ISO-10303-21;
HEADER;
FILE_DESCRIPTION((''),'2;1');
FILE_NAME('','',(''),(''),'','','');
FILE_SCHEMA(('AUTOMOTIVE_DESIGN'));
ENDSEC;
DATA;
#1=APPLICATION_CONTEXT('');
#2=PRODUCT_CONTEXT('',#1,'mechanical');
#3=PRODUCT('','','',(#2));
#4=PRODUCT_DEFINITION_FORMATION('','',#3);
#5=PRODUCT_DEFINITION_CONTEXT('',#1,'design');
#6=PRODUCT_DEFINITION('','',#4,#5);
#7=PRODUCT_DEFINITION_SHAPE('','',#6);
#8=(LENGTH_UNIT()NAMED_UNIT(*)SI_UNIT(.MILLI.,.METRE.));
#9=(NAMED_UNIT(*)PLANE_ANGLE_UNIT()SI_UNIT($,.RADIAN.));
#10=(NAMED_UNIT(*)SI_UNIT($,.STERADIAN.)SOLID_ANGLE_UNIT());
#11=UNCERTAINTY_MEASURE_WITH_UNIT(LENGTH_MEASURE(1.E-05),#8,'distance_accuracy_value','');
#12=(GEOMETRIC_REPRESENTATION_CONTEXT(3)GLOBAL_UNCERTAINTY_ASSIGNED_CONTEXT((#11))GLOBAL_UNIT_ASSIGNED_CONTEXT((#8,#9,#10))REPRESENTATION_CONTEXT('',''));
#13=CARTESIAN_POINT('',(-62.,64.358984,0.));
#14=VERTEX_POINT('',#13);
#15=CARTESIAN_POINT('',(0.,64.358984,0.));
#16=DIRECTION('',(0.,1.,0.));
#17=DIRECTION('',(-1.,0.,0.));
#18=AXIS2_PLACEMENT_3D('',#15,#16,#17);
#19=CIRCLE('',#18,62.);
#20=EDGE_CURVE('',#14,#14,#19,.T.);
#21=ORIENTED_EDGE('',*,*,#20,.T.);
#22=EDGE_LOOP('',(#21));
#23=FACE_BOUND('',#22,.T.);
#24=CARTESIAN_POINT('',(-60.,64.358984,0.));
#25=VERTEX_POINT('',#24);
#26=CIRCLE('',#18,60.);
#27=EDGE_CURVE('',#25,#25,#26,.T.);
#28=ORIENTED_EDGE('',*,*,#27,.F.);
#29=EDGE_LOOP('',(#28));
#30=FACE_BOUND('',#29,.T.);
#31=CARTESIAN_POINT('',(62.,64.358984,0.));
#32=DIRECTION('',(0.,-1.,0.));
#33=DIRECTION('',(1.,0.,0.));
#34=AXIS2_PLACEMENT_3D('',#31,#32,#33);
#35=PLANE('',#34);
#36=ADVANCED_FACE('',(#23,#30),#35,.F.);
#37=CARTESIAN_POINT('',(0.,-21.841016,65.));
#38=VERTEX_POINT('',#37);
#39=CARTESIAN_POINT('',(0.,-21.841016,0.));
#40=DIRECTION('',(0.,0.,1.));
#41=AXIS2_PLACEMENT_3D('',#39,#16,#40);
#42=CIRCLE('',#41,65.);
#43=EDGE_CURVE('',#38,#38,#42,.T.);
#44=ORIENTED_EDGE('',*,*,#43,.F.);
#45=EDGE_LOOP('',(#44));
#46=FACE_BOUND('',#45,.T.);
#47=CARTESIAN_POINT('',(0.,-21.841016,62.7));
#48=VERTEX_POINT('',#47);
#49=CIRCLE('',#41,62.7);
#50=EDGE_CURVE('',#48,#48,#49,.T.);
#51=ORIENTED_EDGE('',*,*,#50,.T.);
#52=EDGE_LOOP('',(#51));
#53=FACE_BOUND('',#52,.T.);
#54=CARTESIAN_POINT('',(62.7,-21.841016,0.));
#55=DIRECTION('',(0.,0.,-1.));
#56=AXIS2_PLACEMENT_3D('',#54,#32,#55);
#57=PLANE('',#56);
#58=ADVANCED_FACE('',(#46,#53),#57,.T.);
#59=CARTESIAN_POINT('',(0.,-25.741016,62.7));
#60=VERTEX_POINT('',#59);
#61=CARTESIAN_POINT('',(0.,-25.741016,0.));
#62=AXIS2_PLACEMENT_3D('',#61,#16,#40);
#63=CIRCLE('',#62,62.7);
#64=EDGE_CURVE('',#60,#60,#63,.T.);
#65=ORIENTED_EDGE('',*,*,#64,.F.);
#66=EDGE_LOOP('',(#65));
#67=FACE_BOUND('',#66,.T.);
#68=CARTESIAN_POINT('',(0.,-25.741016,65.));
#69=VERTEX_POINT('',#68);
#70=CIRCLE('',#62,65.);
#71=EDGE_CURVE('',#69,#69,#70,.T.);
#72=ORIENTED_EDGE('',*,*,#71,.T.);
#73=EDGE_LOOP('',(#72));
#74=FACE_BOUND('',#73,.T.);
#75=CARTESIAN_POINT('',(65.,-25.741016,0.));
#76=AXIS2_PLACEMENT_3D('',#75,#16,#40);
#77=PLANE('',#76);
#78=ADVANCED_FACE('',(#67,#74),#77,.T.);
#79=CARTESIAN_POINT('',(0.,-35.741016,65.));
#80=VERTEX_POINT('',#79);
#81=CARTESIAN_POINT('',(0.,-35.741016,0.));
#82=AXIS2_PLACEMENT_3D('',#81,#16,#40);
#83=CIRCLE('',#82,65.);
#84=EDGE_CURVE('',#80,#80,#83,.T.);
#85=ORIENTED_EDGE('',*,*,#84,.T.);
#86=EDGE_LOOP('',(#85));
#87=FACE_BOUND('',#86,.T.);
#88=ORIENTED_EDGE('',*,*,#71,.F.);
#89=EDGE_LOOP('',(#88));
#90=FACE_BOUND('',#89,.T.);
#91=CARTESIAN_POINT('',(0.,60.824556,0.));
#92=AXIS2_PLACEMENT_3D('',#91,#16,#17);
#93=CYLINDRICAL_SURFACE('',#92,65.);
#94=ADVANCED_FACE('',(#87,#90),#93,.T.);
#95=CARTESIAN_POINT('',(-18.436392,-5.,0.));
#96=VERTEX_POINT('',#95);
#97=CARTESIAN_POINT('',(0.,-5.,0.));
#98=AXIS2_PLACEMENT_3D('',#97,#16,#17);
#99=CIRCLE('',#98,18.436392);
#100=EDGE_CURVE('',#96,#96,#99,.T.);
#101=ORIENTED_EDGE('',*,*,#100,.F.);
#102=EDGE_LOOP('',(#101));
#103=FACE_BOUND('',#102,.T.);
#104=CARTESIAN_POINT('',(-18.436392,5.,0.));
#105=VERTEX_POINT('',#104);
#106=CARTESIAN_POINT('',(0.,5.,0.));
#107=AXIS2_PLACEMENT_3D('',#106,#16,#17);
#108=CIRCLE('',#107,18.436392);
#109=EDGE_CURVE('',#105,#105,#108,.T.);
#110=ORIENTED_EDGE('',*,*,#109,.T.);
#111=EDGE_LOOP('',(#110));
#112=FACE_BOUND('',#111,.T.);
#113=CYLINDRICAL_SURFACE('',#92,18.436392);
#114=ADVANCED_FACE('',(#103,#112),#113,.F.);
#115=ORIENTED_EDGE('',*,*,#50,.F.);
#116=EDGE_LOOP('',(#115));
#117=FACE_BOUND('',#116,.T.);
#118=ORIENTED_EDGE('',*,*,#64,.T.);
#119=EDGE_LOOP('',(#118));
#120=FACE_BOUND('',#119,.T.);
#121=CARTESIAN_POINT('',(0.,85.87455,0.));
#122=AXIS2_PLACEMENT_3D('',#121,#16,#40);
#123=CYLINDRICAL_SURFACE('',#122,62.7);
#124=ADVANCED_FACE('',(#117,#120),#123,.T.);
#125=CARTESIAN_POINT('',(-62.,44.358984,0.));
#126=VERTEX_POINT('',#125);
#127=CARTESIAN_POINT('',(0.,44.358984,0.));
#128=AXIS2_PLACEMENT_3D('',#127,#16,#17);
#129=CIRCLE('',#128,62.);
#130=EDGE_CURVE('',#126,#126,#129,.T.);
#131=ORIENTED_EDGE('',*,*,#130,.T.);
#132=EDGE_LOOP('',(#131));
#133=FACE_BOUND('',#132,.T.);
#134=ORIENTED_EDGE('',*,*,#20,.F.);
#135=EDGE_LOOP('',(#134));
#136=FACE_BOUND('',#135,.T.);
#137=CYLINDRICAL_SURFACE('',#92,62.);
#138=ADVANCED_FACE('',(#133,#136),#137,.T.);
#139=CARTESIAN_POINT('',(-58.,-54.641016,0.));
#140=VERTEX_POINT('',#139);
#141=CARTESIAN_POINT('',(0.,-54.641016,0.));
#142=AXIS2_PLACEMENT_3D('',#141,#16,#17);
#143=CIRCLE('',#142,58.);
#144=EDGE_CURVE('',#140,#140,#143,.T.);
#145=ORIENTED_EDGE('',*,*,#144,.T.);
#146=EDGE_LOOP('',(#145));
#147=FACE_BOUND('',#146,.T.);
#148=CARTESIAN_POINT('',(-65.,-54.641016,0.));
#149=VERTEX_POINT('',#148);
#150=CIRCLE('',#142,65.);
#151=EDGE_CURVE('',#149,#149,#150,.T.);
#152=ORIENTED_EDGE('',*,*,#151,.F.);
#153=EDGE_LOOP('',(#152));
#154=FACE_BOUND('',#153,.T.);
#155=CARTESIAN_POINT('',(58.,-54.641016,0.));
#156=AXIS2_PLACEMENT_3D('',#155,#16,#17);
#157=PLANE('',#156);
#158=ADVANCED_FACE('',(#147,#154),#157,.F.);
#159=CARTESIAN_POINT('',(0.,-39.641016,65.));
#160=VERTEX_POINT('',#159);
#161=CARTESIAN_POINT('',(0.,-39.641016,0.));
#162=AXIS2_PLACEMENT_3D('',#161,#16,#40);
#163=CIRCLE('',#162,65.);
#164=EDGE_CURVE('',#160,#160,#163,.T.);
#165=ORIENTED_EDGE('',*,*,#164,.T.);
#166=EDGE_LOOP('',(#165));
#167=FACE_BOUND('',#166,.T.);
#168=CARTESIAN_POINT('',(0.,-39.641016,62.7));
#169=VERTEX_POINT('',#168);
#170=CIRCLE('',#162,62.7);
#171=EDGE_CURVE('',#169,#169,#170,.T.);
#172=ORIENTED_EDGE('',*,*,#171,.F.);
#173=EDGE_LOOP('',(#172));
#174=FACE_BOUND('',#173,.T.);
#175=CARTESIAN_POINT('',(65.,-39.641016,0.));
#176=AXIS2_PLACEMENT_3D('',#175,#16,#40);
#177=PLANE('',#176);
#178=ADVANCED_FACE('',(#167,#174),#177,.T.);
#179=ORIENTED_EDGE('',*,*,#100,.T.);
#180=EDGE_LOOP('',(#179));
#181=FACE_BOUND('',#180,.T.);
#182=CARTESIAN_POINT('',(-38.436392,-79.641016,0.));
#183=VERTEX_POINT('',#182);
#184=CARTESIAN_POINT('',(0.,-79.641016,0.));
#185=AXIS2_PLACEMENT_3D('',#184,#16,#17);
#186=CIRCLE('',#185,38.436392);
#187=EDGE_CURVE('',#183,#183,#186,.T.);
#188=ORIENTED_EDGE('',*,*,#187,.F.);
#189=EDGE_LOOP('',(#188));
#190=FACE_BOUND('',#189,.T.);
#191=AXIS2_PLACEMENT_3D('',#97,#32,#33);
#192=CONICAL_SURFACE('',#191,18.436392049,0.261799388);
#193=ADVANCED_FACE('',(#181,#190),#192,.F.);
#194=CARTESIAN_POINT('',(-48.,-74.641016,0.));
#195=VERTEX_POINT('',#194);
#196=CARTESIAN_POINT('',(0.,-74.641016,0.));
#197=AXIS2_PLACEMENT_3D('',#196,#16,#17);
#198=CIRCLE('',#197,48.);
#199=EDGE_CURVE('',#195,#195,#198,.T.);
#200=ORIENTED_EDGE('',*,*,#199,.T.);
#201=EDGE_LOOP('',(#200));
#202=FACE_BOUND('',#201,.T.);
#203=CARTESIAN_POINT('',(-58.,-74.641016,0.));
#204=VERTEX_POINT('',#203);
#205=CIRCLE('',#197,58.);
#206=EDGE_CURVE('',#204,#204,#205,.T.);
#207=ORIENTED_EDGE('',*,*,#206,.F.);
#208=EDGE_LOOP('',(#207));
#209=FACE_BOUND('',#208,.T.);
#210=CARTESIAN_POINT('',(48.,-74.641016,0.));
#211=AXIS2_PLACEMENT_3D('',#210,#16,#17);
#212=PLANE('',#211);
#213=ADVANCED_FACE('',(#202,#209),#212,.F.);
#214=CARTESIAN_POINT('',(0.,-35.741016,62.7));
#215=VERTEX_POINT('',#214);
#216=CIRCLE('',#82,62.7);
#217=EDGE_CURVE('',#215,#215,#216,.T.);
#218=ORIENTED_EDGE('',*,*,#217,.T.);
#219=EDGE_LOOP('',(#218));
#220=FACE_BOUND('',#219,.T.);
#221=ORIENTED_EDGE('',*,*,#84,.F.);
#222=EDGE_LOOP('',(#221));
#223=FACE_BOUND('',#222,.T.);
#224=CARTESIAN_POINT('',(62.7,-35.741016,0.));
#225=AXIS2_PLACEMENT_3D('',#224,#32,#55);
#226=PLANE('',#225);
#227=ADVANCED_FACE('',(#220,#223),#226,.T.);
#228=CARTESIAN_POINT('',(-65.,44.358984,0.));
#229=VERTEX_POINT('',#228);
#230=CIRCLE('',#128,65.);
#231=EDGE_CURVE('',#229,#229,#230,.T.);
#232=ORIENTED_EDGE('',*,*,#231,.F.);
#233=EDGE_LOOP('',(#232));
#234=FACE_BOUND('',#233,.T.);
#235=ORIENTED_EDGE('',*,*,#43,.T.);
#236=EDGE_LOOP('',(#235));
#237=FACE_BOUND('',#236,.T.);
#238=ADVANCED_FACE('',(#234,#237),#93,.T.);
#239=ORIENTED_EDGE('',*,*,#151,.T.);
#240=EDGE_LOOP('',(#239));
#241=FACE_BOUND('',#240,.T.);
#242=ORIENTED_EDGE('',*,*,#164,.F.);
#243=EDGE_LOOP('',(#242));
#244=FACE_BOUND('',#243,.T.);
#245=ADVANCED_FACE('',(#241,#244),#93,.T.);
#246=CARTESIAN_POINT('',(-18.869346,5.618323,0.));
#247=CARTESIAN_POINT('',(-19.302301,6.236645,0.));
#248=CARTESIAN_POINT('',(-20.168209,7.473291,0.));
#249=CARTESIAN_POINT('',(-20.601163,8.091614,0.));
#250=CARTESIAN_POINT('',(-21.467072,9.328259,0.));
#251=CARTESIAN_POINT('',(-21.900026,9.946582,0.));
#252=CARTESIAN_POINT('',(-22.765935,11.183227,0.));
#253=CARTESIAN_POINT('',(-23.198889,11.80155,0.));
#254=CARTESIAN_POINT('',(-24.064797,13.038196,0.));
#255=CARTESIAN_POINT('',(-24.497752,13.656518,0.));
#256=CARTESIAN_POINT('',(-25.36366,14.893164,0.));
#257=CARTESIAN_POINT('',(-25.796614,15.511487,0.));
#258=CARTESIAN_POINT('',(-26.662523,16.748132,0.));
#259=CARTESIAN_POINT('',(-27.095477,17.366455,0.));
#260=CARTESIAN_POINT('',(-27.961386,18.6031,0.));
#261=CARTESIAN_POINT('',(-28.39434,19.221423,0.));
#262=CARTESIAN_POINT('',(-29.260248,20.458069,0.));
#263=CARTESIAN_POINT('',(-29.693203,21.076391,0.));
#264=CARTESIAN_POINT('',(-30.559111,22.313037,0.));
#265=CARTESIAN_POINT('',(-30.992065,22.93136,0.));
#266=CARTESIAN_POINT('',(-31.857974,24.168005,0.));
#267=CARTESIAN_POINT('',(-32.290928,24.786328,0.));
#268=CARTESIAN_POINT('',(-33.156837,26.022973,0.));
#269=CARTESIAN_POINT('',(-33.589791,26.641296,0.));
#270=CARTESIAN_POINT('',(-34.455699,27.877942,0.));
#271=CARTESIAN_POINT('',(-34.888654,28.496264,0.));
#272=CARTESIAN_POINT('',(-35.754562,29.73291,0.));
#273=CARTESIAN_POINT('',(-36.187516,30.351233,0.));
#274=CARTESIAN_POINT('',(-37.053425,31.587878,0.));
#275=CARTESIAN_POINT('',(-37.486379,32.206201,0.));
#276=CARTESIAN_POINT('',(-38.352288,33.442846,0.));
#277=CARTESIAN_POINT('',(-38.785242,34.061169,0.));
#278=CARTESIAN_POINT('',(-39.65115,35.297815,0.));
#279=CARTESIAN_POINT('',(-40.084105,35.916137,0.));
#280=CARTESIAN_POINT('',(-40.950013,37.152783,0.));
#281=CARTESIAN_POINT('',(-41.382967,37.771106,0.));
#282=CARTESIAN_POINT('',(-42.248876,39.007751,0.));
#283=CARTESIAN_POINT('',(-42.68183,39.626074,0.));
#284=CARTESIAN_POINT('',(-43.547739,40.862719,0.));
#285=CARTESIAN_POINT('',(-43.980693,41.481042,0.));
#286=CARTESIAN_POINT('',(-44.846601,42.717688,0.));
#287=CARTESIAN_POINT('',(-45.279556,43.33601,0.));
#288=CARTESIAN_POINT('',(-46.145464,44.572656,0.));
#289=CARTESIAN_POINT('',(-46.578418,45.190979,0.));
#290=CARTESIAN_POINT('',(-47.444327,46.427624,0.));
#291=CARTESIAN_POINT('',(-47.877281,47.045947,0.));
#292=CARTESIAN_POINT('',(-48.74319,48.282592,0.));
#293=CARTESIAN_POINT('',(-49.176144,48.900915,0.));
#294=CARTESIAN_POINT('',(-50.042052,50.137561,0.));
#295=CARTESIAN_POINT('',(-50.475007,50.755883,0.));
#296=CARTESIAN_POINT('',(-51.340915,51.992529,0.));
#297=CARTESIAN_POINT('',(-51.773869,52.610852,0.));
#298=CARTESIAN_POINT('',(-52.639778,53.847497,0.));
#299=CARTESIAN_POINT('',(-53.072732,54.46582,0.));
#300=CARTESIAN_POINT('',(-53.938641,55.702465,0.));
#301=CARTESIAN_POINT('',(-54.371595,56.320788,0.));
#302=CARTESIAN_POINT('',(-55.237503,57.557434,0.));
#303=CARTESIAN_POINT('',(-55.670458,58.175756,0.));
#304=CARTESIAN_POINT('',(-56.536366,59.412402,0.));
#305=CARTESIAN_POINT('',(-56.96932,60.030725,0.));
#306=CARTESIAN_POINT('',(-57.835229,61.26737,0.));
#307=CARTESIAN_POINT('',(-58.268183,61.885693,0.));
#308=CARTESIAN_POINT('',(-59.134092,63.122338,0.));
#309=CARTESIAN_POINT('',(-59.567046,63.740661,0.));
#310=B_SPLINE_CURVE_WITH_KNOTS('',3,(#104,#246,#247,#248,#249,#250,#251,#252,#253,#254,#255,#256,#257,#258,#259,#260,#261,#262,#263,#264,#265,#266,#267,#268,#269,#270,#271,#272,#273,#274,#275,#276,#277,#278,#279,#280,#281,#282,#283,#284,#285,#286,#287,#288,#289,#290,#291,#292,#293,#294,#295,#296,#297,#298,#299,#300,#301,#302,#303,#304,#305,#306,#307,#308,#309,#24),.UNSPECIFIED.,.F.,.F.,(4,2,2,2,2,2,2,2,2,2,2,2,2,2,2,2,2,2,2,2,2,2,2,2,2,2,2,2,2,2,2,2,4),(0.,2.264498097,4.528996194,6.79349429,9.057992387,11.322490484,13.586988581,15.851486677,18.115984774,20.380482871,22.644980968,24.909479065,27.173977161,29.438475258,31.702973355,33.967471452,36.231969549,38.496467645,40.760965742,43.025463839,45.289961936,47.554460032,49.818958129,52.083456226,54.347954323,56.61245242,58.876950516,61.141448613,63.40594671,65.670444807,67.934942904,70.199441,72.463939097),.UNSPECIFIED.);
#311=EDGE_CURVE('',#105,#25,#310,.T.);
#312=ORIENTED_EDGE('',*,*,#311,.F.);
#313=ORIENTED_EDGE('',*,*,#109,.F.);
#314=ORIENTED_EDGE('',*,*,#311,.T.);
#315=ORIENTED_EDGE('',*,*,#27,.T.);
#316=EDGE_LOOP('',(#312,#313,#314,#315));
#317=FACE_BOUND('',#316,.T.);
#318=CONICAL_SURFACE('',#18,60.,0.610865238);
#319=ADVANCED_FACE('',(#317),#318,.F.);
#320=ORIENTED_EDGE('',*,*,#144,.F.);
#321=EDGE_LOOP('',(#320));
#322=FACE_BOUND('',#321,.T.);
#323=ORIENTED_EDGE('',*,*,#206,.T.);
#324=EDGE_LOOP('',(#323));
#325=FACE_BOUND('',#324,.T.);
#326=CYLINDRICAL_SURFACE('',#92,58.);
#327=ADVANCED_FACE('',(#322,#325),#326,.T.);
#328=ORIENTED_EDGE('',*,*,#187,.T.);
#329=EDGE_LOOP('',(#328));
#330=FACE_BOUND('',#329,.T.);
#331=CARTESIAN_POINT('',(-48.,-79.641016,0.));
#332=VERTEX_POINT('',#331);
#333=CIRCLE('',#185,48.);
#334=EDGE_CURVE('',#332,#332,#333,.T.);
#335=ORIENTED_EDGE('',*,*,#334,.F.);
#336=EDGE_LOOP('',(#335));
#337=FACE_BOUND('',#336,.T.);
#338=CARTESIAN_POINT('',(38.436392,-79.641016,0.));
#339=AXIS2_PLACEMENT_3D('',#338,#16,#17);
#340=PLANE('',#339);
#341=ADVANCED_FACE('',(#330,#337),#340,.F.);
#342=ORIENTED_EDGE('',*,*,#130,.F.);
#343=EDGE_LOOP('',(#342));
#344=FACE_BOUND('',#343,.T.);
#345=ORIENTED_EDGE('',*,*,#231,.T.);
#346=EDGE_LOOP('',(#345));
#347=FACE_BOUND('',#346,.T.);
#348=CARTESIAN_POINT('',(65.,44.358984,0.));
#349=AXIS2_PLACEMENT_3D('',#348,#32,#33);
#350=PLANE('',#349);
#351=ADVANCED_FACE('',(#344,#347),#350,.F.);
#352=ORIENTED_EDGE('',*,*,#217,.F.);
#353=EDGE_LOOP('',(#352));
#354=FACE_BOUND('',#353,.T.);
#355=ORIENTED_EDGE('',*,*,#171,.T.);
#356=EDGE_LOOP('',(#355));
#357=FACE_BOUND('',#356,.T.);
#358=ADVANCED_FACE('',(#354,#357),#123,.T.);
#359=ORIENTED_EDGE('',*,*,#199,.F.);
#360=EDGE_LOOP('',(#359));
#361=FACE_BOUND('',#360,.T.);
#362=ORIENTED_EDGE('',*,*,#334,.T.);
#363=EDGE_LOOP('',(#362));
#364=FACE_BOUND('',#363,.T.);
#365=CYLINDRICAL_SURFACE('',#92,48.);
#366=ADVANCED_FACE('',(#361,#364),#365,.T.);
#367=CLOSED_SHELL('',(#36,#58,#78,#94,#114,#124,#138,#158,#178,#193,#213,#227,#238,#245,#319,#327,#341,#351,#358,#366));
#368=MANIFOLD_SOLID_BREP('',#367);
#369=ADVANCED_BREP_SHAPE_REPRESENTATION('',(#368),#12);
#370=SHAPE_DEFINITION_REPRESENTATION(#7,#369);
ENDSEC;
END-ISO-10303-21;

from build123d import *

# Parameters (mm, degrees)
SZKIC2_W = 2.3
SZKIC2_H = 3.9


with BuildPart() as part:
    # Szkic1 → Obrót1 (revolve)
    with BuildSketch(Plane.XY, mode=Mode.PRIVATE) as obr_t1_sk:
        Polygon((60, 64.358983849), (18.436392049, 5), (18.436392049, -5), (38.436392049, -79.641016151), (48, -79.641016151), (48, -74.641016151), (58, -74.641016151), (58, -54.641016151), (65, -54.641016151), (65, 44.358983849), (62, 44.358983849), (62, 64.358983849), align=None)
    revolve(obr_t1_sk.sketch.rotate(Axis((0, 60.824555965, 0), (0, -1, 0)), 180), axis=Axis((0, 60.824555965, 0), (0, -1, 0)))

    # Szkic2 → Wycięcie-obrót1 (revolve, cut)
    with BuildSketch(Plane.XY, mode=Mode.PRIVATE) as wyci_cie_obr_t1_sk:
        with Locations((63.85, -37.691016151)):
            Rectangle(SZKIC2_W, SZKIC2_H)
        with Locations((63.85, -23.791016151)):
            Rectangle(SZKIC2_W, SZKIC2_H)
    revolve(wyci_cie_obr_t1_sk.sketch.rotate(Axis((0, 85.874550226, 0), (0, -1, 0)), 90), axis=Axis((0, 85.874550226, 0), (0, -1, 0)), mode=Mode.SUBTRACT)


solid = part.part
